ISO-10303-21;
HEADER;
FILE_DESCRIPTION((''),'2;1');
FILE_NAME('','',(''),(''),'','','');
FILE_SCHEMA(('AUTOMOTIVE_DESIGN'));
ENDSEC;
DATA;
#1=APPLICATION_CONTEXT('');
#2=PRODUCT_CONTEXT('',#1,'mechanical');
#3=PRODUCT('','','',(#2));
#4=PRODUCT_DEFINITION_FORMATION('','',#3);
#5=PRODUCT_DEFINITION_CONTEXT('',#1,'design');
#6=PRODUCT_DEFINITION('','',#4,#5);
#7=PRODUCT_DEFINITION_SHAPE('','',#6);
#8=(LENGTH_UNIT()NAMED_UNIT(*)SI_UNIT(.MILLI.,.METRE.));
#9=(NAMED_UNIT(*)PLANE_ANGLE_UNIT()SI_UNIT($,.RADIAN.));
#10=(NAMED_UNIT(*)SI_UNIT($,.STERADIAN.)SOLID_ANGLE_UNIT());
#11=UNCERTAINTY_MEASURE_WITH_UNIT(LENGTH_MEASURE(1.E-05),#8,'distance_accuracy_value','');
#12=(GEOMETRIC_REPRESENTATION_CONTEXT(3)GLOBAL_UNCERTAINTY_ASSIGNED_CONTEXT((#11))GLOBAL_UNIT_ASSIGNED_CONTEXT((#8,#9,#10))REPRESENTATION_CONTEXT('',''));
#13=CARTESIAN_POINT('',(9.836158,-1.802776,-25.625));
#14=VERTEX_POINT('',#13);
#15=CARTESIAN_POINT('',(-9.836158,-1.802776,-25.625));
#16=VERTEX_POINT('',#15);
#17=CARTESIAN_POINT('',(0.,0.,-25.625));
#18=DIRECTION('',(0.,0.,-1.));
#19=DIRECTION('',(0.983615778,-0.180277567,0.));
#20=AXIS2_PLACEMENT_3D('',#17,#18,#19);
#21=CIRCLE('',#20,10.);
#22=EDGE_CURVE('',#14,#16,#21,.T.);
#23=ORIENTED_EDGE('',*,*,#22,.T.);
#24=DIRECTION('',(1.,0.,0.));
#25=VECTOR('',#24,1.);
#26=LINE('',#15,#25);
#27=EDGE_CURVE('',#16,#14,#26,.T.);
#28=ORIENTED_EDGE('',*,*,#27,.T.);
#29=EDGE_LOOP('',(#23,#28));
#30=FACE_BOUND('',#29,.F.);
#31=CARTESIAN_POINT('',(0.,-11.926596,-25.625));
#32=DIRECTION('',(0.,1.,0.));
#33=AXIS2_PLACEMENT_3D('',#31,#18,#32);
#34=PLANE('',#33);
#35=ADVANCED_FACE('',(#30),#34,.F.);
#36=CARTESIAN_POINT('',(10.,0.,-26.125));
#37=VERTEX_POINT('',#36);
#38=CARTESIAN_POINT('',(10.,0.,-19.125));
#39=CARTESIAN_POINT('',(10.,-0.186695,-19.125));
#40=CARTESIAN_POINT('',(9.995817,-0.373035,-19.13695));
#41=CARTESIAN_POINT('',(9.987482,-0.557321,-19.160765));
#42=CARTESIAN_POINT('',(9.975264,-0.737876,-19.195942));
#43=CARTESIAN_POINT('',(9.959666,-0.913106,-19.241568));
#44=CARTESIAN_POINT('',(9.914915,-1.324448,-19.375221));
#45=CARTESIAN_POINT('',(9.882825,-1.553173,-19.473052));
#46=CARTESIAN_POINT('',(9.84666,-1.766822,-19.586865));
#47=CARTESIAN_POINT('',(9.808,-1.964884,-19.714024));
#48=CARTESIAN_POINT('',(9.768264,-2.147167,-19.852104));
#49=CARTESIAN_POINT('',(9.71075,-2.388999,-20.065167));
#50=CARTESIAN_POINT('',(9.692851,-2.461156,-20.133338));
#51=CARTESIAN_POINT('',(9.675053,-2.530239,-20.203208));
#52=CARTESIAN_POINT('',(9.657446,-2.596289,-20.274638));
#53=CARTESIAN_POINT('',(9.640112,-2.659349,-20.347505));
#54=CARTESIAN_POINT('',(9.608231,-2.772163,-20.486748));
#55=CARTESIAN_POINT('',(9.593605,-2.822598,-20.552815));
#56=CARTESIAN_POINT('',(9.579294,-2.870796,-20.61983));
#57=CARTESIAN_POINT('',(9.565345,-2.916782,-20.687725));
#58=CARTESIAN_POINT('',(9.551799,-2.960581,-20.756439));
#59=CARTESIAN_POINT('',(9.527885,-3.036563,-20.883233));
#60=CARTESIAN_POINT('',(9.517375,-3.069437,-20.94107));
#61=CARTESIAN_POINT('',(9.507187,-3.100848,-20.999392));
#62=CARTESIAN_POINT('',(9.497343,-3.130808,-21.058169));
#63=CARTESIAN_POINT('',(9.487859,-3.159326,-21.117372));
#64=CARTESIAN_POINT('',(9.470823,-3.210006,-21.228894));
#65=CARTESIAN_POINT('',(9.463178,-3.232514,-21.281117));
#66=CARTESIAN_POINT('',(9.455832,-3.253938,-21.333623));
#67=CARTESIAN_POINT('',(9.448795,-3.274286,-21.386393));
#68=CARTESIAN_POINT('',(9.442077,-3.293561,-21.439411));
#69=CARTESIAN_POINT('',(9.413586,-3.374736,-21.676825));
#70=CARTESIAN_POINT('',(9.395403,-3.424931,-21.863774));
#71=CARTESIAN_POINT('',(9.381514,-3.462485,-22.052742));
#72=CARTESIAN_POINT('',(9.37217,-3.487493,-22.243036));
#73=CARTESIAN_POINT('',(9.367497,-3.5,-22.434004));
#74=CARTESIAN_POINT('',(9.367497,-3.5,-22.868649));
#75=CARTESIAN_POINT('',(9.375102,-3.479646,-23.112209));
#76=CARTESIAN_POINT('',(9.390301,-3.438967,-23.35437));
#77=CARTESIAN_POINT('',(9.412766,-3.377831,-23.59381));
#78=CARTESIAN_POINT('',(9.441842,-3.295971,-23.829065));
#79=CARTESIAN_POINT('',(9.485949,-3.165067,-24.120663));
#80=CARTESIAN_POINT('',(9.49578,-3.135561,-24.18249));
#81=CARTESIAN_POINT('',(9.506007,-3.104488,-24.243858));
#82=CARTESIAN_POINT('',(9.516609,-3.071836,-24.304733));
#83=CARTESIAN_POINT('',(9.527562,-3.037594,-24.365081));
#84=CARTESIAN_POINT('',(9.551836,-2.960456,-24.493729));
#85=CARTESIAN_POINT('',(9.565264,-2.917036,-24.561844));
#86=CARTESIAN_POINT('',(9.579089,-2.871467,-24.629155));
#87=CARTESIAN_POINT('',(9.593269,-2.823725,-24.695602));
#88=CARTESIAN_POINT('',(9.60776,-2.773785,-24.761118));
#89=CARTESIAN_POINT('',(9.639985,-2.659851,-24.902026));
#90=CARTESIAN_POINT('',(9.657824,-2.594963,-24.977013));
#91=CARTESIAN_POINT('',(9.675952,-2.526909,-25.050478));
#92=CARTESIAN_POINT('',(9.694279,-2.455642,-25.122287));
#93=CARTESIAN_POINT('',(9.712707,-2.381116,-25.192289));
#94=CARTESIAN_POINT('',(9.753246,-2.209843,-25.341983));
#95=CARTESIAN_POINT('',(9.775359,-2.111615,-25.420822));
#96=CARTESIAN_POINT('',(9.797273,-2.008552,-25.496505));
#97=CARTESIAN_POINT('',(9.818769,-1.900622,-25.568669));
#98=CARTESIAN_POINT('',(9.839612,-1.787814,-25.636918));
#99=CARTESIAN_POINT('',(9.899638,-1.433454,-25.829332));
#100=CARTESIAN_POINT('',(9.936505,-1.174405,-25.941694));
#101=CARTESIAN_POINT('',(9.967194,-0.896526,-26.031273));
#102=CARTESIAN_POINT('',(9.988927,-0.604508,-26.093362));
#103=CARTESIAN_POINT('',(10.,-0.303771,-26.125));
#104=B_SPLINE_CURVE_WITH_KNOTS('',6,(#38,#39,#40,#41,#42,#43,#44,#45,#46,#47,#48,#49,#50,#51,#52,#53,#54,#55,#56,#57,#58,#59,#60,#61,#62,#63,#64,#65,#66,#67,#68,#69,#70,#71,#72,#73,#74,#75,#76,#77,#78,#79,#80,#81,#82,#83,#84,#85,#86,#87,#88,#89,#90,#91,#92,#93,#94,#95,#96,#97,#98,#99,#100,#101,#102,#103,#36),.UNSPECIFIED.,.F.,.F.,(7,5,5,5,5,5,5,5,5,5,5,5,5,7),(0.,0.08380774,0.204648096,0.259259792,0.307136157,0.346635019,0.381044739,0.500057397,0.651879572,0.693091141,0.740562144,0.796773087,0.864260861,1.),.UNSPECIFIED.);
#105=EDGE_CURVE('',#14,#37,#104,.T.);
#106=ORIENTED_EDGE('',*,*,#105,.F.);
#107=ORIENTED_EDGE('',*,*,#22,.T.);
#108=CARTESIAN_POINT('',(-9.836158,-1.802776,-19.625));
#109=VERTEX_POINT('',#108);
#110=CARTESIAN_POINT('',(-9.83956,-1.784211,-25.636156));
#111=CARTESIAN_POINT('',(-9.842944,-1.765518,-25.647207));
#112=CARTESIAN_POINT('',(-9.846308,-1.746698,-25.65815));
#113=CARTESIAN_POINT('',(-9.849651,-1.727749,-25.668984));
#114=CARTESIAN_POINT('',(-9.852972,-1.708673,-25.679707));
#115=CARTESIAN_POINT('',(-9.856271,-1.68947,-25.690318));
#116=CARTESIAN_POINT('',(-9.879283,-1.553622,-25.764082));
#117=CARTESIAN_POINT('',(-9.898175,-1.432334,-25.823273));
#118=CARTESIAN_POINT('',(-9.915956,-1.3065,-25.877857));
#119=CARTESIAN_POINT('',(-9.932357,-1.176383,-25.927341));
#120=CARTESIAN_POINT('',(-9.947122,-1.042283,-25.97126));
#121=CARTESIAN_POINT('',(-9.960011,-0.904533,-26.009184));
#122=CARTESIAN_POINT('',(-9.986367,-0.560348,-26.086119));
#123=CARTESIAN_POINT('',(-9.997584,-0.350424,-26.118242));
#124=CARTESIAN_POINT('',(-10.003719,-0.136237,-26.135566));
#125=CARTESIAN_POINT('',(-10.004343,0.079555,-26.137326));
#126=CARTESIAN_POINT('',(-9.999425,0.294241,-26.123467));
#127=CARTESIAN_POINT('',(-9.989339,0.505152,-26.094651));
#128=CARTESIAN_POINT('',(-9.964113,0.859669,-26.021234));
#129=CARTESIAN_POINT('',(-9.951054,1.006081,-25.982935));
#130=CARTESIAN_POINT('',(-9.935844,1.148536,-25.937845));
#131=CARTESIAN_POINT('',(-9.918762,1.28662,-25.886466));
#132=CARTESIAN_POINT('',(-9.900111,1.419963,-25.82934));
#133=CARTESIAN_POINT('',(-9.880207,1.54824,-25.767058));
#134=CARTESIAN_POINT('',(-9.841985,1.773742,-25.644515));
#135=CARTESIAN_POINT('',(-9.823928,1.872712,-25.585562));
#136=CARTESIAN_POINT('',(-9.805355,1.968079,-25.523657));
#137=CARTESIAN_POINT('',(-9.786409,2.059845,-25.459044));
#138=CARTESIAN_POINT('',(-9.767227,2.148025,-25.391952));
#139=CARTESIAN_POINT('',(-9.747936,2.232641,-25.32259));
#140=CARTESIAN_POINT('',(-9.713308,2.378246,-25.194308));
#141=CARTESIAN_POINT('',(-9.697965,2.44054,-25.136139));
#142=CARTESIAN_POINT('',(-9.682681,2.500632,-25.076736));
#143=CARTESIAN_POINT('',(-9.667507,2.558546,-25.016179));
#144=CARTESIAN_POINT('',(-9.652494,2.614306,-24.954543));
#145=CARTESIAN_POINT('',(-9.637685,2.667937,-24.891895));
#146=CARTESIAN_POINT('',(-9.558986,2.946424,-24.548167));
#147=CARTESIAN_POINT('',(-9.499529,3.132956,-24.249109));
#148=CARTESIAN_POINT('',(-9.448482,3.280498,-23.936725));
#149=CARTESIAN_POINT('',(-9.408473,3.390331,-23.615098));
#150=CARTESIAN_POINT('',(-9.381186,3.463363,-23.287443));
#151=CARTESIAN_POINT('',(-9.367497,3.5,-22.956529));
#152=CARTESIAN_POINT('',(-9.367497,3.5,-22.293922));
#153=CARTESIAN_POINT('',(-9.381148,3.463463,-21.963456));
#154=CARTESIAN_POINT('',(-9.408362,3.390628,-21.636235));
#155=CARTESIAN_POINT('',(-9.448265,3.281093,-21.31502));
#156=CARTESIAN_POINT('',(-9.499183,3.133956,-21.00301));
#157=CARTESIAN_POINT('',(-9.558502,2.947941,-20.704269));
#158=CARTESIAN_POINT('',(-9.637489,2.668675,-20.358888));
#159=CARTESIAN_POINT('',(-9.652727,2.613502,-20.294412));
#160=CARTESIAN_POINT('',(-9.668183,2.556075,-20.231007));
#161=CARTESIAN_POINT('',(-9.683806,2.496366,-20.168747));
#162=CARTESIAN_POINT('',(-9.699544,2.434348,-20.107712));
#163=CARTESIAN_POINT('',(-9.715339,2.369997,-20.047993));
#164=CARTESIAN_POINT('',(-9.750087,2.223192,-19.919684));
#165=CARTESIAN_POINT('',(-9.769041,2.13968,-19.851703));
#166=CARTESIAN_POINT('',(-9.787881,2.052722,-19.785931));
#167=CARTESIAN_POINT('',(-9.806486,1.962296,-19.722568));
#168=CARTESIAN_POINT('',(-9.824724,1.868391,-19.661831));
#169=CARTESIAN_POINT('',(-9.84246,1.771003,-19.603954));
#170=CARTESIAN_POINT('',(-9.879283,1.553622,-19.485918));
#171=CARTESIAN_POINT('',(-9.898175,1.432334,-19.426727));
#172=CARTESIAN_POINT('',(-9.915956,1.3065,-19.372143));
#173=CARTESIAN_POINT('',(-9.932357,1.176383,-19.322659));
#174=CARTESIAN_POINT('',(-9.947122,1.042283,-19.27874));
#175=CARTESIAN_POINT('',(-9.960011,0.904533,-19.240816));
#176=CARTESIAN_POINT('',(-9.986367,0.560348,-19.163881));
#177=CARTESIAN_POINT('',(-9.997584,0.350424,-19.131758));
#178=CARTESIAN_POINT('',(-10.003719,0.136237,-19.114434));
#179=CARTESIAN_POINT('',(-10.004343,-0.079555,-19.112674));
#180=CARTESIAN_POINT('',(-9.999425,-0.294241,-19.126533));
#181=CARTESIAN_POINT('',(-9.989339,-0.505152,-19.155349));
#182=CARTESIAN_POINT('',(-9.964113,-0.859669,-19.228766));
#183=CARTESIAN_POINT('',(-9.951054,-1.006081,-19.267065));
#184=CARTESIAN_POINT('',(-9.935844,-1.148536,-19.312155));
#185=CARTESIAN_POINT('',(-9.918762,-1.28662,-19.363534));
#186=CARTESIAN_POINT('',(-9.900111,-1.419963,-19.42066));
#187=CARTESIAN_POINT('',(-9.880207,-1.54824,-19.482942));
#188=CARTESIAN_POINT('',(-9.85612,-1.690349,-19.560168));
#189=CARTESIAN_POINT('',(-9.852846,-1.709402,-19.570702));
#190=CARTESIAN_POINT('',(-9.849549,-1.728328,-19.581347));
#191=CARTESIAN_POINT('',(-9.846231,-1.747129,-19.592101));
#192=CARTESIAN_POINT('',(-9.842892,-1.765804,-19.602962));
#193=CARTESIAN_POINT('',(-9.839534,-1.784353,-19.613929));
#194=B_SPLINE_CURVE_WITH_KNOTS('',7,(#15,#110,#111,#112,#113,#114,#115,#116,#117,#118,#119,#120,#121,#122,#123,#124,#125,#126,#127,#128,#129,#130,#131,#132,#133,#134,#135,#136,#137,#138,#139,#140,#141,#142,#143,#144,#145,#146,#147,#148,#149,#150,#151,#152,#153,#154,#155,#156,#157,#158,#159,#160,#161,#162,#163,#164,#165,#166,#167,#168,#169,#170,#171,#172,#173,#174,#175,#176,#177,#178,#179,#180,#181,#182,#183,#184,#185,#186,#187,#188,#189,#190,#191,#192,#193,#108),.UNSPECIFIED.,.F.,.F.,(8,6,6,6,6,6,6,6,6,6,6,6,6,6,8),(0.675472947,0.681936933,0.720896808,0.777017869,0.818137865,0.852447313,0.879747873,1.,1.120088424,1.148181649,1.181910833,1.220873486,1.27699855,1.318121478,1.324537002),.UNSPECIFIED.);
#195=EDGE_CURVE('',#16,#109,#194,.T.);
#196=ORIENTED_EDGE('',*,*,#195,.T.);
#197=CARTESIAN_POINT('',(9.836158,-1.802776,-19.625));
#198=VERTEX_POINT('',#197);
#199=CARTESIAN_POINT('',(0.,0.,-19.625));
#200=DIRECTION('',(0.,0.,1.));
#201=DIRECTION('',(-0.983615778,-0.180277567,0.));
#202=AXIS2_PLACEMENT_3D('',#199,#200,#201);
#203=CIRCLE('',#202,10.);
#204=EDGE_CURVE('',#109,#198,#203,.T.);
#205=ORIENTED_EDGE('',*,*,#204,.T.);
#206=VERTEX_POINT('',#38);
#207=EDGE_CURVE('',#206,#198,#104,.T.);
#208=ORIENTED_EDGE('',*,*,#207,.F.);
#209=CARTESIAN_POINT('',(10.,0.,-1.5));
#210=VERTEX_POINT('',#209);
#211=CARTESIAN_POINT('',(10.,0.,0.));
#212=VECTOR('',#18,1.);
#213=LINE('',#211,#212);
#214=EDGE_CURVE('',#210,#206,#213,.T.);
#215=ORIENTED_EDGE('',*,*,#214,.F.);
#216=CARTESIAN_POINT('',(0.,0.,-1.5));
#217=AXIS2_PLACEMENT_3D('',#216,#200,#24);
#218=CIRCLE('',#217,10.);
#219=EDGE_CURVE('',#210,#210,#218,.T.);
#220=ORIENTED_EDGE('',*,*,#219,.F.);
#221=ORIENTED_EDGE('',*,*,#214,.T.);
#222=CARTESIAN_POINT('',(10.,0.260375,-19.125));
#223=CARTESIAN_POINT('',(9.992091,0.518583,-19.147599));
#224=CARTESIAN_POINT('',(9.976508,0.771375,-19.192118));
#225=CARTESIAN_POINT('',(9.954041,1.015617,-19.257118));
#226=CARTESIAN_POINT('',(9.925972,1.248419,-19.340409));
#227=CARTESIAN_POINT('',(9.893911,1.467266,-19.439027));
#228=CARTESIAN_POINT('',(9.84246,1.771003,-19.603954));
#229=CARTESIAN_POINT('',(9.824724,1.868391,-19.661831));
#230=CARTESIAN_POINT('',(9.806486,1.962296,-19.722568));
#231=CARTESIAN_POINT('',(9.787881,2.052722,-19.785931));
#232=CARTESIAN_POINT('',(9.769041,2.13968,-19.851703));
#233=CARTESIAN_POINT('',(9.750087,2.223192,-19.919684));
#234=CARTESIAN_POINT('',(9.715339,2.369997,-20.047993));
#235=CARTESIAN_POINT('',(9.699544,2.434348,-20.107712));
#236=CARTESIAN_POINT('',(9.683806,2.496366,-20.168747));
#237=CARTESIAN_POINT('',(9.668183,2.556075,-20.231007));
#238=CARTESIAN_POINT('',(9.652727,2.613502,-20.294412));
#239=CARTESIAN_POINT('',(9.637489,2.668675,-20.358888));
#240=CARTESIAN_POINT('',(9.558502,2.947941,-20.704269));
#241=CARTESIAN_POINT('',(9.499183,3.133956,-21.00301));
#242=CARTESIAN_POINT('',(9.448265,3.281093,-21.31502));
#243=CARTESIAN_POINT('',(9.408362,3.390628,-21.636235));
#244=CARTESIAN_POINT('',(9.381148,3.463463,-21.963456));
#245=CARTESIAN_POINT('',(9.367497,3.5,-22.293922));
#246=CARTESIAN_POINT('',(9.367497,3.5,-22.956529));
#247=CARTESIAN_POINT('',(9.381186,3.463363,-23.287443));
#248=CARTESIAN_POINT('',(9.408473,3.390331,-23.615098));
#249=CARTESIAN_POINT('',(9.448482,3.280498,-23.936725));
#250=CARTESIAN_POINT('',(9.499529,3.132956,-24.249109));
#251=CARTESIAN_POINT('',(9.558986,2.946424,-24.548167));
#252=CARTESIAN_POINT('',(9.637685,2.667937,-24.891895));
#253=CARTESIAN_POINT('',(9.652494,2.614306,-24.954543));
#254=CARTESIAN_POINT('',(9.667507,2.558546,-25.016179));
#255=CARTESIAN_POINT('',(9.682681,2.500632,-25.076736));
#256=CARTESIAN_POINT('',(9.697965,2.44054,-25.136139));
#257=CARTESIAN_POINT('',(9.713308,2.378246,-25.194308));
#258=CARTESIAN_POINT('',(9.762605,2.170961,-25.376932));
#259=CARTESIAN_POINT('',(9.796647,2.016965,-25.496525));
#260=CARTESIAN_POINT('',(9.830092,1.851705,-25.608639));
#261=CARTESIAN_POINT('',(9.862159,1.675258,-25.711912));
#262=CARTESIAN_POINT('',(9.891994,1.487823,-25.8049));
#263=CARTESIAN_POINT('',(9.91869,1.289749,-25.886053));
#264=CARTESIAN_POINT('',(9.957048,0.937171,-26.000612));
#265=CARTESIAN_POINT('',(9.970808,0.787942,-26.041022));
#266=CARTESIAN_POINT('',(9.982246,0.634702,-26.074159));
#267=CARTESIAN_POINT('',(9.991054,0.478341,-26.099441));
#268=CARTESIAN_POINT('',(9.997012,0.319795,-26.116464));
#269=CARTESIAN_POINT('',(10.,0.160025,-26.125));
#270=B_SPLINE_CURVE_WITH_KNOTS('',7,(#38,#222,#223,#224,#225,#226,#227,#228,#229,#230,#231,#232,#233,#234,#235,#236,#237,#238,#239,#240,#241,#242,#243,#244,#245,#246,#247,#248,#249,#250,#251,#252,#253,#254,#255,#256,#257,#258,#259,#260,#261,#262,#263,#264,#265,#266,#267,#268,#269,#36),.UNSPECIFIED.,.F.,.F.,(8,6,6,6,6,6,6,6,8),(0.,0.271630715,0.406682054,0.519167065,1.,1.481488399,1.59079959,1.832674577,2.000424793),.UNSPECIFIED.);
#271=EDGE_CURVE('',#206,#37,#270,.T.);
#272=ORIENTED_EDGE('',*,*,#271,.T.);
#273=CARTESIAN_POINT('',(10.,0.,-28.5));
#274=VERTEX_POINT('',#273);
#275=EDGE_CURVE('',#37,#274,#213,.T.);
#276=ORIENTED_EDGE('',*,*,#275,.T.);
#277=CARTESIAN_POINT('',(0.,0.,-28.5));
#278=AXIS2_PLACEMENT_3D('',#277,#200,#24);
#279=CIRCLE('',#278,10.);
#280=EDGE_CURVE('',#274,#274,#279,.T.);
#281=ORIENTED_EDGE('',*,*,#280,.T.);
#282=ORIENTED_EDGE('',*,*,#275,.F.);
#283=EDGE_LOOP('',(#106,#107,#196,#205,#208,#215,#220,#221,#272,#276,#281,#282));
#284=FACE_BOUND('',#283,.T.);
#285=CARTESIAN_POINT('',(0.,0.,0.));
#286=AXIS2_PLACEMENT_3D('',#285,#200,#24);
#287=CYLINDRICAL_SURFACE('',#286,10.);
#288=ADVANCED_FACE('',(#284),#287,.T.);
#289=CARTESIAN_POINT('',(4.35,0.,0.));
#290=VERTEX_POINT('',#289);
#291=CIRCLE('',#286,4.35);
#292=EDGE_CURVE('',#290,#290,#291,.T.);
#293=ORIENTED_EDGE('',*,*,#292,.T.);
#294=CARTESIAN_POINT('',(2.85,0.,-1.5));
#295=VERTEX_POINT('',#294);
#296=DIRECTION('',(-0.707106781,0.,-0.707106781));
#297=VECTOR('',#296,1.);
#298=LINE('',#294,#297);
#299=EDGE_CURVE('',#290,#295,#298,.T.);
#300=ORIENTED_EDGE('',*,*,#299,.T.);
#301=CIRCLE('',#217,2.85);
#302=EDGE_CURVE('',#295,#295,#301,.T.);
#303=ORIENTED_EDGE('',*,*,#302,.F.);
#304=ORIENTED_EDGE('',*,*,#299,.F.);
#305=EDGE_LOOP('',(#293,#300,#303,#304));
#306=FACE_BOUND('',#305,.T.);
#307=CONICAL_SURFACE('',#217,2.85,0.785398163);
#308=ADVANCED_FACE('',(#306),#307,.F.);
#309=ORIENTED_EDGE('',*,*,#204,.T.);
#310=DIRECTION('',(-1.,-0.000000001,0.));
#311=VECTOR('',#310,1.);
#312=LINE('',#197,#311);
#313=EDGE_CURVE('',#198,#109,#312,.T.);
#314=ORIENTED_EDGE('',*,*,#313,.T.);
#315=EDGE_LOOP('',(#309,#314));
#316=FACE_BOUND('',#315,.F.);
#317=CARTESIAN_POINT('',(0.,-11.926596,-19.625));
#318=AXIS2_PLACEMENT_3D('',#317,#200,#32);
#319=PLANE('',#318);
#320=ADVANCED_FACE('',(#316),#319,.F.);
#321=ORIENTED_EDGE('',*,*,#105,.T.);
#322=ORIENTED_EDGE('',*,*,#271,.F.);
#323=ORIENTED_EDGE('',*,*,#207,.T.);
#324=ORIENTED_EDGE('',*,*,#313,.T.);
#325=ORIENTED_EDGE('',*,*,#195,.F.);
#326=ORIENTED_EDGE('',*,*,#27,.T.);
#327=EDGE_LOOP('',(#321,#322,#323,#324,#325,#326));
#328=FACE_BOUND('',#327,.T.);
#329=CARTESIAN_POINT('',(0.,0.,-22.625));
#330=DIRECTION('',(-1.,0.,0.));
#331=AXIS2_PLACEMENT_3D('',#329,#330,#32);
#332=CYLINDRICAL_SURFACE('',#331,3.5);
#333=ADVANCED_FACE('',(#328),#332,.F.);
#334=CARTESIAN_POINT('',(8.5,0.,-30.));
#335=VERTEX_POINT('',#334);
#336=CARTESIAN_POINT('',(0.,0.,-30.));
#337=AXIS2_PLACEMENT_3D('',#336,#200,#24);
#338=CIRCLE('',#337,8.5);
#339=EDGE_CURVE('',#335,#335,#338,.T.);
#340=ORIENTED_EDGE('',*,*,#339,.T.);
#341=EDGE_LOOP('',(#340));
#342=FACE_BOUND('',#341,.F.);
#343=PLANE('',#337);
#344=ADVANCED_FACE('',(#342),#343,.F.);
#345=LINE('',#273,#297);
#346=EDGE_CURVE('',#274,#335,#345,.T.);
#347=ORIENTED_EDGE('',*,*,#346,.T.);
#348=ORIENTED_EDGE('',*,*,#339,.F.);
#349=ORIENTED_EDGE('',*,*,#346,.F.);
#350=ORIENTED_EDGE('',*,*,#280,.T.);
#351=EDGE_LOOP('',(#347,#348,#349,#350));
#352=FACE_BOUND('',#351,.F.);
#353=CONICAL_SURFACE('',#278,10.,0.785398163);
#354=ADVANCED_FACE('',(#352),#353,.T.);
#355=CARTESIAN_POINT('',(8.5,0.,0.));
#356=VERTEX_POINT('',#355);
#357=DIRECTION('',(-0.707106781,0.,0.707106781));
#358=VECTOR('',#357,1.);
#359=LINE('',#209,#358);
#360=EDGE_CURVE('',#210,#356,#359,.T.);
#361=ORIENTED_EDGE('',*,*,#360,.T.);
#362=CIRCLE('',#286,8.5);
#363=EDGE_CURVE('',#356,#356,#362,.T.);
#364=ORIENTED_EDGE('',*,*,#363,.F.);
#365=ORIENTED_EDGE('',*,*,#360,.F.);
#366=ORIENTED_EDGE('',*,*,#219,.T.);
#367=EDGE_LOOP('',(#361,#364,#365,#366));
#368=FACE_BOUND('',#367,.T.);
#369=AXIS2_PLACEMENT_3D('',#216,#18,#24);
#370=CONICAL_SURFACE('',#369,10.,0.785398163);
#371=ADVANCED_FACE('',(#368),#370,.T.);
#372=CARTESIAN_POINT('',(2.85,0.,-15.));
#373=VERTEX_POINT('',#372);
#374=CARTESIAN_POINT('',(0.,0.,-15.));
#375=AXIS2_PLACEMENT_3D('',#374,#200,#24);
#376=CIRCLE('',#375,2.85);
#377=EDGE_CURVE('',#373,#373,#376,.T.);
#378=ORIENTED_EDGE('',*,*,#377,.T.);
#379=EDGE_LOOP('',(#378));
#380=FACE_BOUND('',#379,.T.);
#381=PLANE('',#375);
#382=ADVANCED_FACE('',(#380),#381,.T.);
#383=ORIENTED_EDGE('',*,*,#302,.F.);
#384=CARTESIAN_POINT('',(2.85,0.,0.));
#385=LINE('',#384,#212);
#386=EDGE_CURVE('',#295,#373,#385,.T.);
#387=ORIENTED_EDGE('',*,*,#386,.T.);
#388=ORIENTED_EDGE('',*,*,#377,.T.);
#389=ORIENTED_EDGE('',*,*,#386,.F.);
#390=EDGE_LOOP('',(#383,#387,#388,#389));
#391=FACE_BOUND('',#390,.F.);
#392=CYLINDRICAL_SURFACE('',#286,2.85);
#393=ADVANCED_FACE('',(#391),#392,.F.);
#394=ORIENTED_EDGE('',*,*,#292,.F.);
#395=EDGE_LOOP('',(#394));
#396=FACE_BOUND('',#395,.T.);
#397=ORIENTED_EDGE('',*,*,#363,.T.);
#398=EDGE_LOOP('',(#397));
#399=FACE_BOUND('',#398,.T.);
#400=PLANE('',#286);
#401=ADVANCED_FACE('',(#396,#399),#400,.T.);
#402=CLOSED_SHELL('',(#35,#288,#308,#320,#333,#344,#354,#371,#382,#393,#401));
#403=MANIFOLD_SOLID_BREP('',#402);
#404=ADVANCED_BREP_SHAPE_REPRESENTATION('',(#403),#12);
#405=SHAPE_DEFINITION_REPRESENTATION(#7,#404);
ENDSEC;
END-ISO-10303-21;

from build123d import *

# Parameters (mm, degrees)
F0_R          = 10
F1_DEPTH      = 30
F2_R          = 2.85
F3_DEPTH      = 15
F4_R          = 3.5
F5_DEPTH      = 10
F5_DEPTH_BACK = 10
F7_W          = 11.9265963338
F7_H          = 6
F8_DEPTH      = 10
F8_DEPTH_BACK = 10
F9_SIZE       = 1.5


with BuildPart() as f1:
    # F0 (on Top) → F1 (new body)
    with BuildSketch(Plane.XY):
        Circle(F0_R)
    extrude(amount=-F1_DEPTH)

    # F2 (on face) → F3 (cut)
    with BuildSketch(Plane.XY):
        Circle(F2_R)
    extrude(amount=-F3_DEPTH, mode=Mode.SUBTRACT)

    # F4 (on Right) → F5 (cut, two sides)
    with BuildSketch(Plane.YZ) as f5_sk:
        with Locations((0, -22.625)):
            Circle(F4_R)
    extrude(amount=-F5_DEPTH, mode=Mode.SUBTRACT)
    extrude(f5_sk.sketch, amount=F5_DEPTH_BACK, mode=Mode.SUBTRACT)

    # F7 (on Right) → F8 (cut, two sides)
    with BuildSketch(Plane.YZ) as f8_sk:
        with Locations((-5.9632981669, -22.625)):
            Rectangle(F7_W, F7_H)
    extrude(amount=-F8_DEPTH, mode=Mode.SUBTRACT)
    extrude(f8_sk.sketch, amount=F8_DEPTH_BACK, mode=Mode.SUBTRACT)

    # F9
    f9_edges = [f1.edges().sort_by_distance(p)[0] for p in [
        (-2.85, 0, 0),
        (-10, 0, 0),
        (-10, 0, -30),
    ]]
    chamfer(f9_edges, length=F9_SIZE)


solid = f1.part
